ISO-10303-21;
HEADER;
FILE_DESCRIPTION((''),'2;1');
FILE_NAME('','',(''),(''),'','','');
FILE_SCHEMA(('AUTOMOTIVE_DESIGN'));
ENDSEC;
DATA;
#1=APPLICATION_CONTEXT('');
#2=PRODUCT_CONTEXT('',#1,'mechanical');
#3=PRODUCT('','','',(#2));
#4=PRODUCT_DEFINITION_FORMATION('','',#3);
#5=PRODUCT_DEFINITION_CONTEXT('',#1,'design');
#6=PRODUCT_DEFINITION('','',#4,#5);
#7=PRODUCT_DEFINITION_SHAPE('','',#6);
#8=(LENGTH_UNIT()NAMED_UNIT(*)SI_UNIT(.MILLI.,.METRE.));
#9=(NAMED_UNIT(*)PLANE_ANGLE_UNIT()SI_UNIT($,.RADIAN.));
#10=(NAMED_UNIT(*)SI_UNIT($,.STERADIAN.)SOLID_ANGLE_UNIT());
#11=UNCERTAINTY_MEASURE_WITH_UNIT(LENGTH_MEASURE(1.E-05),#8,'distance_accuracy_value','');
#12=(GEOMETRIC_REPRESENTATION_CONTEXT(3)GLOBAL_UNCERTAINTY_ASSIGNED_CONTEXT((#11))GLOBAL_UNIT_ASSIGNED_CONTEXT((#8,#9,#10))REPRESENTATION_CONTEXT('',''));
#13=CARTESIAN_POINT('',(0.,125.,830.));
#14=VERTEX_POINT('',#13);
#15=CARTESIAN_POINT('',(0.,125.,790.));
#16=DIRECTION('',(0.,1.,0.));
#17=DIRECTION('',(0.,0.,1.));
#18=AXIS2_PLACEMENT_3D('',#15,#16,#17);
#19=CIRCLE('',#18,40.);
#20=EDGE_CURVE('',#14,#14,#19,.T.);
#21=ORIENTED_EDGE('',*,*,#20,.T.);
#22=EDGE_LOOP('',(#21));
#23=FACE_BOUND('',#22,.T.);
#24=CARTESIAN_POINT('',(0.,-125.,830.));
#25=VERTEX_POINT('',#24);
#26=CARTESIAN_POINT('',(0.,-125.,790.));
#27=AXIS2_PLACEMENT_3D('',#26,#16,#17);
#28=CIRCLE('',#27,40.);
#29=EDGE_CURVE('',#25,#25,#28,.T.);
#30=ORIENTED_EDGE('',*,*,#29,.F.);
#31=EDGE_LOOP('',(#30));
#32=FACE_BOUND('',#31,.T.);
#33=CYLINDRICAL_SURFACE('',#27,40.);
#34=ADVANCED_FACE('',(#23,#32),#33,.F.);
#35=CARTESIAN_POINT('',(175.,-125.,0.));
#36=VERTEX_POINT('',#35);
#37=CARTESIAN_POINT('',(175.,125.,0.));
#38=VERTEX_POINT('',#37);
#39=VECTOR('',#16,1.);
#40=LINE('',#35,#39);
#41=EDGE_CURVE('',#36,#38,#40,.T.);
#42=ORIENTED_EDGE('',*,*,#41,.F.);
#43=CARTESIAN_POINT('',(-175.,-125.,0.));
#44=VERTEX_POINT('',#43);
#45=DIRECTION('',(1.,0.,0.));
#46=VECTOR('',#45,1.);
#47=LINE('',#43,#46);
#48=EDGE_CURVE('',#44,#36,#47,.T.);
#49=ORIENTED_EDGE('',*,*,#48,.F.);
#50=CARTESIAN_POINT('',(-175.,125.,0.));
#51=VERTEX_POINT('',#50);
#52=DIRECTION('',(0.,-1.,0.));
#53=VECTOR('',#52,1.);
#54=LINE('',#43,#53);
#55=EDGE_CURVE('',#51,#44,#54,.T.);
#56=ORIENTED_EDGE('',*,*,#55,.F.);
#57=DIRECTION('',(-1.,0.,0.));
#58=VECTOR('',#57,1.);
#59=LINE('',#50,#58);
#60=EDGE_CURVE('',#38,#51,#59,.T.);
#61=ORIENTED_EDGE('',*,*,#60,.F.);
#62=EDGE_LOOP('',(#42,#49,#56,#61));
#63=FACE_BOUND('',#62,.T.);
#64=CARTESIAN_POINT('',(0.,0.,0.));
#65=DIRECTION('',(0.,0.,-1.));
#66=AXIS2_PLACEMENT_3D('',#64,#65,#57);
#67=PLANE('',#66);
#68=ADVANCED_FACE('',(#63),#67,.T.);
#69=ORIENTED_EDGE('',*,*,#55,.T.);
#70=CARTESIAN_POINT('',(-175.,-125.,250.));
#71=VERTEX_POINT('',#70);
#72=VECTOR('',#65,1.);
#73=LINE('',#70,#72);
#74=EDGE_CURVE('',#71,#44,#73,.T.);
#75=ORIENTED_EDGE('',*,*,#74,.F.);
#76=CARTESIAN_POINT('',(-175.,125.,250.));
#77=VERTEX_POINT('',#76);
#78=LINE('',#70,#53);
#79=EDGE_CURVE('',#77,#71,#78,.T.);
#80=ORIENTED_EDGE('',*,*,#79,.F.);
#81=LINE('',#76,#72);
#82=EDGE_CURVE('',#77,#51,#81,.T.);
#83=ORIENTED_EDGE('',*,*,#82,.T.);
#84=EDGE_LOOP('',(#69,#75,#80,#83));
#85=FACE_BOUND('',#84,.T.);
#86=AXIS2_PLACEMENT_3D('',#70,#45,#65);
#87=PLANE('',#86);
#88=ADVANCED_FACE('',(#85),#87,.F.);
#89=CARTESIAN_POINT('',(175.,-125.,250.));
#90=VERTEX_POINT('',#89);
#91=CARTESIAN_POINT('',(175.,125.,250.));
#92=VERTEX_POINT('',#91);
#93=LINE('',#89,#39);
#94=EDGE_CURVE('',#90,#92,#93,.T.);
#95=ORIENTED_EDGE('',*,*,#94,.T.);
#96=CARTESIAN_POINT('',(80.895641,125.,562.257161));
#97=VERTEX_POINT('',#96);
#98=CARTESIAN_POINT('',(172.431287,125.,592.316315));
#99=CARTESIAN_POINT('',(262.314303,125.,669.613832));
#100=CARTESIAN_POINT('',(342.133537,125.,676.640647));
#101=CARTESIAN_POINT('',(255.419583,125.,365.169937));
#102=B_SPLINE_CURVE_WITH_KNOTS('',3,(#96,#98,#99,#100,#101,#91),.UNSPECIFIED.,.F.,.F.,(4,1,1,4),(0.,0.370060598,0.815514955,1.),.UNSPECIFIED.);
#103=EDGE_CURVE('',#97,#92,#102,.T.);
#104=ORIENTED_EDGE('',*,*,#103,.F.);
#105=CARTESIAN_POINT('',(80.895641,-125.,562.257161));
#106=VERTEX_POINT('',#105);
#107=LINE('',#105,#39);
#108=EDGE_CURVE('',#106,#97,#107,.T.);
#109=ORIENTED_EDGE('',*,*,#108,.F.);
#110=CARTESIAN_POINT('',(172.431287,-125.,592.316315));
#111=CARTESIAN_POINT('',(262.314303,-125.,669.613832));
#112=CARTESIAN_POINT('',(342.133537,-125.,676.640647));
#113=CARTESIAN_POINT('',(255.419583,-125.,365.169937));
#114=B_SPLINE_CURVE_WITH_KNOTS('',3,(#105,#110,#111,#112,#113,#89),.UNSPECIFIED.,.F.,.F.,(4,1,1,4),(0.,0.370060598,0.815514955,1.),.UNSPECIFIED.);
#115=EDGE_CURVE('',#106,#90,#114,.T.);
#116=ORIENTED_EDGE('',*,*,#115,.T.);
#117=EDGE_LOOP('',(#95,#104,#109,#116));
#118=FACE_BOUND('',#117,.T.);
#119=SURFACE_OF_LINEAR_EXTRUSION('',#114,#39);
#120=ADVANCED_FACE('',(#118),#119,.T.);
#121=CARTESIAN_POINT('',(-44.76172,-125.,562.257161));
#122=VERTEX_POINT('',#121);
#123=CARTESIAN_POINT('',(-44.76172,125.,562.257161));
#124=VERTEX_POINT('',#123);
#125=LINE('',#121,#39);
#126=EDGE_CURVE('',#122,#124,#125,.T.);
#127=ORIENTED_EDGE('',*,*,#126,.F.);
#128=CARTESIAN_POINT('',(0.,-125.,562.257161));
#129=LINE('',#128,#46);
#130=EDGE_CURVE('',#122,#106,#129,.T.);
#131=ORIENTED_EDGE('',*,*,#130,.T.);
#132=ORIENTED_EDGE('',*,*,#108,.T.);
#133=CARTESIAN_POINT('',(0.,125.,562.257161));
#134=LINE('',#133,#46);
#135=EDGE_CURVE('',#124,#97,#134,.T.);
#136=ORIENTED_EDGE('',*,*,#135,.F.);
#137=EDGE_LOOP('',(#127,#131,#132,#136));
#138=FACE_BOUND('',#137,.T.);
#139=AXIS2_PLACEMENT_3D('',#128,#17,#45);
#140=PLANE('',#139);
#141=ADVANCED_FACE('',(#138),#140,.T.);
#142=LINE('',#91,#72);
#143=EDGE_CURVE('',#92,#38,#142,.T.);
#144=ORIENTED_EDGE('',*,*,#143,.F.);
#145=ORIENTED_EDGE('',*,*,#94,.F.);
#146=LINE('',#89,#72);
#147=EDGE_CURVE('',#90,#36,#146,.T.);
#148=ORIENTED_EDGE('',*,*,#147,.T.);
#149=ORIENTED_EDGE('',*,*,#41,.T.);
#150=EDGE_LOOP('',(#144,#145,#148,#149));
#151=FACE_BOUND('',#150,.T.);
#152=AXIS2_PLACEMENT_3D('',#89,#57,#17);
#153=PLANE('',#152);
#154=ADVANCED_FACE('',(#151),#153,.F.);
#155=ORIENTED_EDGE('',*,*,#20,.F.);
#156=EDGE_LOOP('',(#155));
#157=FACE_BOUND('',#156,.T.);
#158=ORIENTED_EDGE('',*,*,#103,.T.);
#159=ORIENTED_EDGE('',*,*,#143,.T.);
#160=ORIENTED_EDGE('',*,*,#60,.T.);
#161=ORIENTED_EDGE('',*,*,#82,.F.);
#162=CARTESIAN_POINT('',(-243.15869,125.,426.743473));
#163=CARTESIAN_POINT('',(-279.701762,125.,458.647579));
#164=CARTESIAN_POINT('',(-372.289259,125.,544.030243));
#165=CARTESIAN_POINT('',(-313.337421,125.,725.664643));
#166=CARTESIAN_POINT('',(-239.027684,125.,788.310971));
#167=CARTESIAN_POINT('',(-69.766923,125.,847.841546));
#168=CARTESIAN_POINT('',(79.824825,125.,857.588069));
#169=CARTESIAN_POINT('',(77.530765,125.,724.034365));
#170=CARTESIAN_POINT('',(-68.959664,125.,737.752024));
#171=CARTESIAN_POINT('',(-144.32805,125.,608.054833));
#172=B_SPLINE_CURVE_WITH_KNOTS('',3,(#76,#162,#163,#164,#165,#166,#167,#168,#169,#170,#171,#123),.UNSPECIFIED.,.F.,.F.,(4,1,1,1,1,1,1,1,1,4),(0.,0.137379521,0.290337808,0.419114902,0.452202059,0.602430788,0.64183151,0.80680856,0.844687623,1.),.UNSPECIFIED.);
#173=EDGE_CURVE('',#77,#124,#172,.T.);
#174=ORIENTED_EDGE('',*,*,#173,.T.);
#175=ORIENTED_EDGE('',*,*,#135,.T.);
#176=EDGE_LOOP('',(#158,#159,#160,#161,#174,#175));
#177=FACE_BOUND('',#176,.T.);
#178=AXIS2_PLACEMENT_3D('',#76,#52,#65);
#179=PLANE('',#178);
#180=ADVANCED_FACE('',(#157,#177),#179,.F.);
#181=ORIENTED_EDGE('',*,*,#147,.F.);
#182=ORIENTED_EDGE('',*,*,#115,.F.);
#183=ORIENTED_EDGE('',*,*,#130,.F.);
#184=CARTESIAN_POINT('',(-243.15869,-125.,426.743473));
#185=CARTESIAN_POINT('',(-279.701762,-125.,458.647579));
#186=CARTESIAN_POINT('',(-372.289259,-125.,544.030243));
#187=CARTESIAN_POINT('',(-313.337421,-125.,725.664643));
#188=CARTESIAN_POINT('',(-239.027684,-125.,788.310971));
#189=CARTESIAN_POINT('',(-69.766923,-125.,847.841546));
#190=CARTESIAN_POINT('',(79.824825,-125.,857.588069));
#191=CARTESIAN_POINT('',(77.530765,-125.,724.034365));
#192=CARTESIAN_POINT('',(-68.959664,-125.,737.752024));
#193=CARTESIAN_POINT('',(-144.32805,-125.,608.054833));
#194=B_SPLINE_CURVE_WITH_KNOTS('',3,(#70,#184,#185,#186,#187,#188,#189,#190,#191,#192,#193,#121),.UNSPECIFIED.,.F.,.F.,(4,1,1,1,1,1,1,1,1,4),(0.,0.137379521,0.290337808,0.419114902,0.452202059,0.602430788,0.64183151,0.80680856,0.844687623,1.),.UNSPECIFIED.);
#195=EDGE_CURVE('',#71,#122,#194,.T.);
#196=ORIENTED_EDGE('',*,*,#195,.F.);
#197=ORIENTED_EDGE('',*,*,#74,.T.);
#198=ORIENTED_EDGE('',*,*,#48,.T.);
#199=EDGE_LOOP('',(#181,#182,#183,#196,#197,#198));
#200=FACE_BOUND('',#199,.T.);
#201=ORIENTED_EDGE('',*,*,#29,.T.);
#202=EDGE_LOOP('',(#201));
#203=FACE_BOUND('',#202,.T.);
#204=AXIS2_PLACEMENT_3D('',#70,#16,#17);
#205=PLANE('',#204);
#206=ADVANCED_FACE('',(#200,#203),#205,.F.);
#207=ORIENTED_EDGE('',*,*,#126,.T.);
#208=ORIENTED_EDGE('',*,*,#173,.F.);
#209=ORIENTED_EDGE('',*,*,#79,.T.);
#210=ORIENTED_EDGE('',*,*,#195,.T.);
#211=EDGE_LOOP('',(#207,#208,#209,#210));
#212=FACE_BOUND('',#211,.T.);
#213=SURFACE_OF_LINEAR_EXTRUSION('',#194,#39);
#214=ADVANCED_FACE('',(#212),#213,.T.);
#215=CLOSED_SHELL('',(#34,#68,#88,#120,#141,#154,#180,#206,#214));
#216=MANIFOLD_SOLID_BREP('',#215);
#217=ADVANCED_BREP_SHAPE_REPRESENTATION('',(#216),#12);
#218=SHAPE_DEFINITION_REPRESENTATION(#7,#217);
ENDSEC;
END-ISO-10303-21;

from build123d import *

# Parameters (mm, degrees)
SKETCH1_W           = 350
SKETCH1_H           = 250
BOSS_EXTRUDE1_DEPTH = 250
SKETCH2_R           = 40
BOSS_EXTRUDE2_DEPTH = 250


with BuildPart() as part:
    # Sketch1 → Boss-Extrude1 (new body)
    with BuildSketch(Plane.XY):
        Rectangle(SKETCH1_W, SKETCH1_H)
    extrude(amount=BOSS_EXTRUDE1_DEPTH)

    # Sketch2 → Boss-Extrude2 (add)
    with BuildSketch(Plane(origin=(0, 125, 0), x_dir=(1, 0, 0), z_dir=(0, 1, 0))):
        with BuildLine():
            Line((-44.761719829, -562.257161455), (80.895640954, -562.257161455))
            add(Edge.make_bspline(
                [(80.895640954, -562.257161455), (172.431287344, -592.316314524), (262.314302804, -669.613832446), (342.133537357, -676.640646609), (255.419582957, -365.16993701), (175, -250)],
                knots=[0, 0, 0, 0, 0.370060598, 0.815514955, 1, 1, 1, 1], degree=3))
            Line((175, -250), (-175, -250))
            add(Edge.make_bspline(
                [(-175, -250), (-243.158689552, -426.743473279), (-279.701762469, -458.647578572), (-372.289259306, -544.030243143), (-313.337421002, -725.664643324), (-239.02768417, -788.31097063), (-69.766922721, -847.84154556), (79.82482521, -857.588069073), (77.530765346, -724.034365353), (-68.959663963, -737.752024236), (-144.32805007, -608.054833161), (-44.761719829, -562.257161455)],
                knots=[0, 0, 0, 0, 0.137379521, 0.290337808, 0.419114902, 0.452202059, 0.602430788, 0.64183151, 0.80680856, 0.844687623, 1, 1, 1, 1], degree=3))
        make_face()
        with Locations(Location((0, -790, 0), (0, 0, 270))):
            Circle(SKETCH2_R, mode=Mode.SUBTRACT)
    extrude(amount=-BOSS_EXTRUDE2_DEPTH)


solid = part.part
